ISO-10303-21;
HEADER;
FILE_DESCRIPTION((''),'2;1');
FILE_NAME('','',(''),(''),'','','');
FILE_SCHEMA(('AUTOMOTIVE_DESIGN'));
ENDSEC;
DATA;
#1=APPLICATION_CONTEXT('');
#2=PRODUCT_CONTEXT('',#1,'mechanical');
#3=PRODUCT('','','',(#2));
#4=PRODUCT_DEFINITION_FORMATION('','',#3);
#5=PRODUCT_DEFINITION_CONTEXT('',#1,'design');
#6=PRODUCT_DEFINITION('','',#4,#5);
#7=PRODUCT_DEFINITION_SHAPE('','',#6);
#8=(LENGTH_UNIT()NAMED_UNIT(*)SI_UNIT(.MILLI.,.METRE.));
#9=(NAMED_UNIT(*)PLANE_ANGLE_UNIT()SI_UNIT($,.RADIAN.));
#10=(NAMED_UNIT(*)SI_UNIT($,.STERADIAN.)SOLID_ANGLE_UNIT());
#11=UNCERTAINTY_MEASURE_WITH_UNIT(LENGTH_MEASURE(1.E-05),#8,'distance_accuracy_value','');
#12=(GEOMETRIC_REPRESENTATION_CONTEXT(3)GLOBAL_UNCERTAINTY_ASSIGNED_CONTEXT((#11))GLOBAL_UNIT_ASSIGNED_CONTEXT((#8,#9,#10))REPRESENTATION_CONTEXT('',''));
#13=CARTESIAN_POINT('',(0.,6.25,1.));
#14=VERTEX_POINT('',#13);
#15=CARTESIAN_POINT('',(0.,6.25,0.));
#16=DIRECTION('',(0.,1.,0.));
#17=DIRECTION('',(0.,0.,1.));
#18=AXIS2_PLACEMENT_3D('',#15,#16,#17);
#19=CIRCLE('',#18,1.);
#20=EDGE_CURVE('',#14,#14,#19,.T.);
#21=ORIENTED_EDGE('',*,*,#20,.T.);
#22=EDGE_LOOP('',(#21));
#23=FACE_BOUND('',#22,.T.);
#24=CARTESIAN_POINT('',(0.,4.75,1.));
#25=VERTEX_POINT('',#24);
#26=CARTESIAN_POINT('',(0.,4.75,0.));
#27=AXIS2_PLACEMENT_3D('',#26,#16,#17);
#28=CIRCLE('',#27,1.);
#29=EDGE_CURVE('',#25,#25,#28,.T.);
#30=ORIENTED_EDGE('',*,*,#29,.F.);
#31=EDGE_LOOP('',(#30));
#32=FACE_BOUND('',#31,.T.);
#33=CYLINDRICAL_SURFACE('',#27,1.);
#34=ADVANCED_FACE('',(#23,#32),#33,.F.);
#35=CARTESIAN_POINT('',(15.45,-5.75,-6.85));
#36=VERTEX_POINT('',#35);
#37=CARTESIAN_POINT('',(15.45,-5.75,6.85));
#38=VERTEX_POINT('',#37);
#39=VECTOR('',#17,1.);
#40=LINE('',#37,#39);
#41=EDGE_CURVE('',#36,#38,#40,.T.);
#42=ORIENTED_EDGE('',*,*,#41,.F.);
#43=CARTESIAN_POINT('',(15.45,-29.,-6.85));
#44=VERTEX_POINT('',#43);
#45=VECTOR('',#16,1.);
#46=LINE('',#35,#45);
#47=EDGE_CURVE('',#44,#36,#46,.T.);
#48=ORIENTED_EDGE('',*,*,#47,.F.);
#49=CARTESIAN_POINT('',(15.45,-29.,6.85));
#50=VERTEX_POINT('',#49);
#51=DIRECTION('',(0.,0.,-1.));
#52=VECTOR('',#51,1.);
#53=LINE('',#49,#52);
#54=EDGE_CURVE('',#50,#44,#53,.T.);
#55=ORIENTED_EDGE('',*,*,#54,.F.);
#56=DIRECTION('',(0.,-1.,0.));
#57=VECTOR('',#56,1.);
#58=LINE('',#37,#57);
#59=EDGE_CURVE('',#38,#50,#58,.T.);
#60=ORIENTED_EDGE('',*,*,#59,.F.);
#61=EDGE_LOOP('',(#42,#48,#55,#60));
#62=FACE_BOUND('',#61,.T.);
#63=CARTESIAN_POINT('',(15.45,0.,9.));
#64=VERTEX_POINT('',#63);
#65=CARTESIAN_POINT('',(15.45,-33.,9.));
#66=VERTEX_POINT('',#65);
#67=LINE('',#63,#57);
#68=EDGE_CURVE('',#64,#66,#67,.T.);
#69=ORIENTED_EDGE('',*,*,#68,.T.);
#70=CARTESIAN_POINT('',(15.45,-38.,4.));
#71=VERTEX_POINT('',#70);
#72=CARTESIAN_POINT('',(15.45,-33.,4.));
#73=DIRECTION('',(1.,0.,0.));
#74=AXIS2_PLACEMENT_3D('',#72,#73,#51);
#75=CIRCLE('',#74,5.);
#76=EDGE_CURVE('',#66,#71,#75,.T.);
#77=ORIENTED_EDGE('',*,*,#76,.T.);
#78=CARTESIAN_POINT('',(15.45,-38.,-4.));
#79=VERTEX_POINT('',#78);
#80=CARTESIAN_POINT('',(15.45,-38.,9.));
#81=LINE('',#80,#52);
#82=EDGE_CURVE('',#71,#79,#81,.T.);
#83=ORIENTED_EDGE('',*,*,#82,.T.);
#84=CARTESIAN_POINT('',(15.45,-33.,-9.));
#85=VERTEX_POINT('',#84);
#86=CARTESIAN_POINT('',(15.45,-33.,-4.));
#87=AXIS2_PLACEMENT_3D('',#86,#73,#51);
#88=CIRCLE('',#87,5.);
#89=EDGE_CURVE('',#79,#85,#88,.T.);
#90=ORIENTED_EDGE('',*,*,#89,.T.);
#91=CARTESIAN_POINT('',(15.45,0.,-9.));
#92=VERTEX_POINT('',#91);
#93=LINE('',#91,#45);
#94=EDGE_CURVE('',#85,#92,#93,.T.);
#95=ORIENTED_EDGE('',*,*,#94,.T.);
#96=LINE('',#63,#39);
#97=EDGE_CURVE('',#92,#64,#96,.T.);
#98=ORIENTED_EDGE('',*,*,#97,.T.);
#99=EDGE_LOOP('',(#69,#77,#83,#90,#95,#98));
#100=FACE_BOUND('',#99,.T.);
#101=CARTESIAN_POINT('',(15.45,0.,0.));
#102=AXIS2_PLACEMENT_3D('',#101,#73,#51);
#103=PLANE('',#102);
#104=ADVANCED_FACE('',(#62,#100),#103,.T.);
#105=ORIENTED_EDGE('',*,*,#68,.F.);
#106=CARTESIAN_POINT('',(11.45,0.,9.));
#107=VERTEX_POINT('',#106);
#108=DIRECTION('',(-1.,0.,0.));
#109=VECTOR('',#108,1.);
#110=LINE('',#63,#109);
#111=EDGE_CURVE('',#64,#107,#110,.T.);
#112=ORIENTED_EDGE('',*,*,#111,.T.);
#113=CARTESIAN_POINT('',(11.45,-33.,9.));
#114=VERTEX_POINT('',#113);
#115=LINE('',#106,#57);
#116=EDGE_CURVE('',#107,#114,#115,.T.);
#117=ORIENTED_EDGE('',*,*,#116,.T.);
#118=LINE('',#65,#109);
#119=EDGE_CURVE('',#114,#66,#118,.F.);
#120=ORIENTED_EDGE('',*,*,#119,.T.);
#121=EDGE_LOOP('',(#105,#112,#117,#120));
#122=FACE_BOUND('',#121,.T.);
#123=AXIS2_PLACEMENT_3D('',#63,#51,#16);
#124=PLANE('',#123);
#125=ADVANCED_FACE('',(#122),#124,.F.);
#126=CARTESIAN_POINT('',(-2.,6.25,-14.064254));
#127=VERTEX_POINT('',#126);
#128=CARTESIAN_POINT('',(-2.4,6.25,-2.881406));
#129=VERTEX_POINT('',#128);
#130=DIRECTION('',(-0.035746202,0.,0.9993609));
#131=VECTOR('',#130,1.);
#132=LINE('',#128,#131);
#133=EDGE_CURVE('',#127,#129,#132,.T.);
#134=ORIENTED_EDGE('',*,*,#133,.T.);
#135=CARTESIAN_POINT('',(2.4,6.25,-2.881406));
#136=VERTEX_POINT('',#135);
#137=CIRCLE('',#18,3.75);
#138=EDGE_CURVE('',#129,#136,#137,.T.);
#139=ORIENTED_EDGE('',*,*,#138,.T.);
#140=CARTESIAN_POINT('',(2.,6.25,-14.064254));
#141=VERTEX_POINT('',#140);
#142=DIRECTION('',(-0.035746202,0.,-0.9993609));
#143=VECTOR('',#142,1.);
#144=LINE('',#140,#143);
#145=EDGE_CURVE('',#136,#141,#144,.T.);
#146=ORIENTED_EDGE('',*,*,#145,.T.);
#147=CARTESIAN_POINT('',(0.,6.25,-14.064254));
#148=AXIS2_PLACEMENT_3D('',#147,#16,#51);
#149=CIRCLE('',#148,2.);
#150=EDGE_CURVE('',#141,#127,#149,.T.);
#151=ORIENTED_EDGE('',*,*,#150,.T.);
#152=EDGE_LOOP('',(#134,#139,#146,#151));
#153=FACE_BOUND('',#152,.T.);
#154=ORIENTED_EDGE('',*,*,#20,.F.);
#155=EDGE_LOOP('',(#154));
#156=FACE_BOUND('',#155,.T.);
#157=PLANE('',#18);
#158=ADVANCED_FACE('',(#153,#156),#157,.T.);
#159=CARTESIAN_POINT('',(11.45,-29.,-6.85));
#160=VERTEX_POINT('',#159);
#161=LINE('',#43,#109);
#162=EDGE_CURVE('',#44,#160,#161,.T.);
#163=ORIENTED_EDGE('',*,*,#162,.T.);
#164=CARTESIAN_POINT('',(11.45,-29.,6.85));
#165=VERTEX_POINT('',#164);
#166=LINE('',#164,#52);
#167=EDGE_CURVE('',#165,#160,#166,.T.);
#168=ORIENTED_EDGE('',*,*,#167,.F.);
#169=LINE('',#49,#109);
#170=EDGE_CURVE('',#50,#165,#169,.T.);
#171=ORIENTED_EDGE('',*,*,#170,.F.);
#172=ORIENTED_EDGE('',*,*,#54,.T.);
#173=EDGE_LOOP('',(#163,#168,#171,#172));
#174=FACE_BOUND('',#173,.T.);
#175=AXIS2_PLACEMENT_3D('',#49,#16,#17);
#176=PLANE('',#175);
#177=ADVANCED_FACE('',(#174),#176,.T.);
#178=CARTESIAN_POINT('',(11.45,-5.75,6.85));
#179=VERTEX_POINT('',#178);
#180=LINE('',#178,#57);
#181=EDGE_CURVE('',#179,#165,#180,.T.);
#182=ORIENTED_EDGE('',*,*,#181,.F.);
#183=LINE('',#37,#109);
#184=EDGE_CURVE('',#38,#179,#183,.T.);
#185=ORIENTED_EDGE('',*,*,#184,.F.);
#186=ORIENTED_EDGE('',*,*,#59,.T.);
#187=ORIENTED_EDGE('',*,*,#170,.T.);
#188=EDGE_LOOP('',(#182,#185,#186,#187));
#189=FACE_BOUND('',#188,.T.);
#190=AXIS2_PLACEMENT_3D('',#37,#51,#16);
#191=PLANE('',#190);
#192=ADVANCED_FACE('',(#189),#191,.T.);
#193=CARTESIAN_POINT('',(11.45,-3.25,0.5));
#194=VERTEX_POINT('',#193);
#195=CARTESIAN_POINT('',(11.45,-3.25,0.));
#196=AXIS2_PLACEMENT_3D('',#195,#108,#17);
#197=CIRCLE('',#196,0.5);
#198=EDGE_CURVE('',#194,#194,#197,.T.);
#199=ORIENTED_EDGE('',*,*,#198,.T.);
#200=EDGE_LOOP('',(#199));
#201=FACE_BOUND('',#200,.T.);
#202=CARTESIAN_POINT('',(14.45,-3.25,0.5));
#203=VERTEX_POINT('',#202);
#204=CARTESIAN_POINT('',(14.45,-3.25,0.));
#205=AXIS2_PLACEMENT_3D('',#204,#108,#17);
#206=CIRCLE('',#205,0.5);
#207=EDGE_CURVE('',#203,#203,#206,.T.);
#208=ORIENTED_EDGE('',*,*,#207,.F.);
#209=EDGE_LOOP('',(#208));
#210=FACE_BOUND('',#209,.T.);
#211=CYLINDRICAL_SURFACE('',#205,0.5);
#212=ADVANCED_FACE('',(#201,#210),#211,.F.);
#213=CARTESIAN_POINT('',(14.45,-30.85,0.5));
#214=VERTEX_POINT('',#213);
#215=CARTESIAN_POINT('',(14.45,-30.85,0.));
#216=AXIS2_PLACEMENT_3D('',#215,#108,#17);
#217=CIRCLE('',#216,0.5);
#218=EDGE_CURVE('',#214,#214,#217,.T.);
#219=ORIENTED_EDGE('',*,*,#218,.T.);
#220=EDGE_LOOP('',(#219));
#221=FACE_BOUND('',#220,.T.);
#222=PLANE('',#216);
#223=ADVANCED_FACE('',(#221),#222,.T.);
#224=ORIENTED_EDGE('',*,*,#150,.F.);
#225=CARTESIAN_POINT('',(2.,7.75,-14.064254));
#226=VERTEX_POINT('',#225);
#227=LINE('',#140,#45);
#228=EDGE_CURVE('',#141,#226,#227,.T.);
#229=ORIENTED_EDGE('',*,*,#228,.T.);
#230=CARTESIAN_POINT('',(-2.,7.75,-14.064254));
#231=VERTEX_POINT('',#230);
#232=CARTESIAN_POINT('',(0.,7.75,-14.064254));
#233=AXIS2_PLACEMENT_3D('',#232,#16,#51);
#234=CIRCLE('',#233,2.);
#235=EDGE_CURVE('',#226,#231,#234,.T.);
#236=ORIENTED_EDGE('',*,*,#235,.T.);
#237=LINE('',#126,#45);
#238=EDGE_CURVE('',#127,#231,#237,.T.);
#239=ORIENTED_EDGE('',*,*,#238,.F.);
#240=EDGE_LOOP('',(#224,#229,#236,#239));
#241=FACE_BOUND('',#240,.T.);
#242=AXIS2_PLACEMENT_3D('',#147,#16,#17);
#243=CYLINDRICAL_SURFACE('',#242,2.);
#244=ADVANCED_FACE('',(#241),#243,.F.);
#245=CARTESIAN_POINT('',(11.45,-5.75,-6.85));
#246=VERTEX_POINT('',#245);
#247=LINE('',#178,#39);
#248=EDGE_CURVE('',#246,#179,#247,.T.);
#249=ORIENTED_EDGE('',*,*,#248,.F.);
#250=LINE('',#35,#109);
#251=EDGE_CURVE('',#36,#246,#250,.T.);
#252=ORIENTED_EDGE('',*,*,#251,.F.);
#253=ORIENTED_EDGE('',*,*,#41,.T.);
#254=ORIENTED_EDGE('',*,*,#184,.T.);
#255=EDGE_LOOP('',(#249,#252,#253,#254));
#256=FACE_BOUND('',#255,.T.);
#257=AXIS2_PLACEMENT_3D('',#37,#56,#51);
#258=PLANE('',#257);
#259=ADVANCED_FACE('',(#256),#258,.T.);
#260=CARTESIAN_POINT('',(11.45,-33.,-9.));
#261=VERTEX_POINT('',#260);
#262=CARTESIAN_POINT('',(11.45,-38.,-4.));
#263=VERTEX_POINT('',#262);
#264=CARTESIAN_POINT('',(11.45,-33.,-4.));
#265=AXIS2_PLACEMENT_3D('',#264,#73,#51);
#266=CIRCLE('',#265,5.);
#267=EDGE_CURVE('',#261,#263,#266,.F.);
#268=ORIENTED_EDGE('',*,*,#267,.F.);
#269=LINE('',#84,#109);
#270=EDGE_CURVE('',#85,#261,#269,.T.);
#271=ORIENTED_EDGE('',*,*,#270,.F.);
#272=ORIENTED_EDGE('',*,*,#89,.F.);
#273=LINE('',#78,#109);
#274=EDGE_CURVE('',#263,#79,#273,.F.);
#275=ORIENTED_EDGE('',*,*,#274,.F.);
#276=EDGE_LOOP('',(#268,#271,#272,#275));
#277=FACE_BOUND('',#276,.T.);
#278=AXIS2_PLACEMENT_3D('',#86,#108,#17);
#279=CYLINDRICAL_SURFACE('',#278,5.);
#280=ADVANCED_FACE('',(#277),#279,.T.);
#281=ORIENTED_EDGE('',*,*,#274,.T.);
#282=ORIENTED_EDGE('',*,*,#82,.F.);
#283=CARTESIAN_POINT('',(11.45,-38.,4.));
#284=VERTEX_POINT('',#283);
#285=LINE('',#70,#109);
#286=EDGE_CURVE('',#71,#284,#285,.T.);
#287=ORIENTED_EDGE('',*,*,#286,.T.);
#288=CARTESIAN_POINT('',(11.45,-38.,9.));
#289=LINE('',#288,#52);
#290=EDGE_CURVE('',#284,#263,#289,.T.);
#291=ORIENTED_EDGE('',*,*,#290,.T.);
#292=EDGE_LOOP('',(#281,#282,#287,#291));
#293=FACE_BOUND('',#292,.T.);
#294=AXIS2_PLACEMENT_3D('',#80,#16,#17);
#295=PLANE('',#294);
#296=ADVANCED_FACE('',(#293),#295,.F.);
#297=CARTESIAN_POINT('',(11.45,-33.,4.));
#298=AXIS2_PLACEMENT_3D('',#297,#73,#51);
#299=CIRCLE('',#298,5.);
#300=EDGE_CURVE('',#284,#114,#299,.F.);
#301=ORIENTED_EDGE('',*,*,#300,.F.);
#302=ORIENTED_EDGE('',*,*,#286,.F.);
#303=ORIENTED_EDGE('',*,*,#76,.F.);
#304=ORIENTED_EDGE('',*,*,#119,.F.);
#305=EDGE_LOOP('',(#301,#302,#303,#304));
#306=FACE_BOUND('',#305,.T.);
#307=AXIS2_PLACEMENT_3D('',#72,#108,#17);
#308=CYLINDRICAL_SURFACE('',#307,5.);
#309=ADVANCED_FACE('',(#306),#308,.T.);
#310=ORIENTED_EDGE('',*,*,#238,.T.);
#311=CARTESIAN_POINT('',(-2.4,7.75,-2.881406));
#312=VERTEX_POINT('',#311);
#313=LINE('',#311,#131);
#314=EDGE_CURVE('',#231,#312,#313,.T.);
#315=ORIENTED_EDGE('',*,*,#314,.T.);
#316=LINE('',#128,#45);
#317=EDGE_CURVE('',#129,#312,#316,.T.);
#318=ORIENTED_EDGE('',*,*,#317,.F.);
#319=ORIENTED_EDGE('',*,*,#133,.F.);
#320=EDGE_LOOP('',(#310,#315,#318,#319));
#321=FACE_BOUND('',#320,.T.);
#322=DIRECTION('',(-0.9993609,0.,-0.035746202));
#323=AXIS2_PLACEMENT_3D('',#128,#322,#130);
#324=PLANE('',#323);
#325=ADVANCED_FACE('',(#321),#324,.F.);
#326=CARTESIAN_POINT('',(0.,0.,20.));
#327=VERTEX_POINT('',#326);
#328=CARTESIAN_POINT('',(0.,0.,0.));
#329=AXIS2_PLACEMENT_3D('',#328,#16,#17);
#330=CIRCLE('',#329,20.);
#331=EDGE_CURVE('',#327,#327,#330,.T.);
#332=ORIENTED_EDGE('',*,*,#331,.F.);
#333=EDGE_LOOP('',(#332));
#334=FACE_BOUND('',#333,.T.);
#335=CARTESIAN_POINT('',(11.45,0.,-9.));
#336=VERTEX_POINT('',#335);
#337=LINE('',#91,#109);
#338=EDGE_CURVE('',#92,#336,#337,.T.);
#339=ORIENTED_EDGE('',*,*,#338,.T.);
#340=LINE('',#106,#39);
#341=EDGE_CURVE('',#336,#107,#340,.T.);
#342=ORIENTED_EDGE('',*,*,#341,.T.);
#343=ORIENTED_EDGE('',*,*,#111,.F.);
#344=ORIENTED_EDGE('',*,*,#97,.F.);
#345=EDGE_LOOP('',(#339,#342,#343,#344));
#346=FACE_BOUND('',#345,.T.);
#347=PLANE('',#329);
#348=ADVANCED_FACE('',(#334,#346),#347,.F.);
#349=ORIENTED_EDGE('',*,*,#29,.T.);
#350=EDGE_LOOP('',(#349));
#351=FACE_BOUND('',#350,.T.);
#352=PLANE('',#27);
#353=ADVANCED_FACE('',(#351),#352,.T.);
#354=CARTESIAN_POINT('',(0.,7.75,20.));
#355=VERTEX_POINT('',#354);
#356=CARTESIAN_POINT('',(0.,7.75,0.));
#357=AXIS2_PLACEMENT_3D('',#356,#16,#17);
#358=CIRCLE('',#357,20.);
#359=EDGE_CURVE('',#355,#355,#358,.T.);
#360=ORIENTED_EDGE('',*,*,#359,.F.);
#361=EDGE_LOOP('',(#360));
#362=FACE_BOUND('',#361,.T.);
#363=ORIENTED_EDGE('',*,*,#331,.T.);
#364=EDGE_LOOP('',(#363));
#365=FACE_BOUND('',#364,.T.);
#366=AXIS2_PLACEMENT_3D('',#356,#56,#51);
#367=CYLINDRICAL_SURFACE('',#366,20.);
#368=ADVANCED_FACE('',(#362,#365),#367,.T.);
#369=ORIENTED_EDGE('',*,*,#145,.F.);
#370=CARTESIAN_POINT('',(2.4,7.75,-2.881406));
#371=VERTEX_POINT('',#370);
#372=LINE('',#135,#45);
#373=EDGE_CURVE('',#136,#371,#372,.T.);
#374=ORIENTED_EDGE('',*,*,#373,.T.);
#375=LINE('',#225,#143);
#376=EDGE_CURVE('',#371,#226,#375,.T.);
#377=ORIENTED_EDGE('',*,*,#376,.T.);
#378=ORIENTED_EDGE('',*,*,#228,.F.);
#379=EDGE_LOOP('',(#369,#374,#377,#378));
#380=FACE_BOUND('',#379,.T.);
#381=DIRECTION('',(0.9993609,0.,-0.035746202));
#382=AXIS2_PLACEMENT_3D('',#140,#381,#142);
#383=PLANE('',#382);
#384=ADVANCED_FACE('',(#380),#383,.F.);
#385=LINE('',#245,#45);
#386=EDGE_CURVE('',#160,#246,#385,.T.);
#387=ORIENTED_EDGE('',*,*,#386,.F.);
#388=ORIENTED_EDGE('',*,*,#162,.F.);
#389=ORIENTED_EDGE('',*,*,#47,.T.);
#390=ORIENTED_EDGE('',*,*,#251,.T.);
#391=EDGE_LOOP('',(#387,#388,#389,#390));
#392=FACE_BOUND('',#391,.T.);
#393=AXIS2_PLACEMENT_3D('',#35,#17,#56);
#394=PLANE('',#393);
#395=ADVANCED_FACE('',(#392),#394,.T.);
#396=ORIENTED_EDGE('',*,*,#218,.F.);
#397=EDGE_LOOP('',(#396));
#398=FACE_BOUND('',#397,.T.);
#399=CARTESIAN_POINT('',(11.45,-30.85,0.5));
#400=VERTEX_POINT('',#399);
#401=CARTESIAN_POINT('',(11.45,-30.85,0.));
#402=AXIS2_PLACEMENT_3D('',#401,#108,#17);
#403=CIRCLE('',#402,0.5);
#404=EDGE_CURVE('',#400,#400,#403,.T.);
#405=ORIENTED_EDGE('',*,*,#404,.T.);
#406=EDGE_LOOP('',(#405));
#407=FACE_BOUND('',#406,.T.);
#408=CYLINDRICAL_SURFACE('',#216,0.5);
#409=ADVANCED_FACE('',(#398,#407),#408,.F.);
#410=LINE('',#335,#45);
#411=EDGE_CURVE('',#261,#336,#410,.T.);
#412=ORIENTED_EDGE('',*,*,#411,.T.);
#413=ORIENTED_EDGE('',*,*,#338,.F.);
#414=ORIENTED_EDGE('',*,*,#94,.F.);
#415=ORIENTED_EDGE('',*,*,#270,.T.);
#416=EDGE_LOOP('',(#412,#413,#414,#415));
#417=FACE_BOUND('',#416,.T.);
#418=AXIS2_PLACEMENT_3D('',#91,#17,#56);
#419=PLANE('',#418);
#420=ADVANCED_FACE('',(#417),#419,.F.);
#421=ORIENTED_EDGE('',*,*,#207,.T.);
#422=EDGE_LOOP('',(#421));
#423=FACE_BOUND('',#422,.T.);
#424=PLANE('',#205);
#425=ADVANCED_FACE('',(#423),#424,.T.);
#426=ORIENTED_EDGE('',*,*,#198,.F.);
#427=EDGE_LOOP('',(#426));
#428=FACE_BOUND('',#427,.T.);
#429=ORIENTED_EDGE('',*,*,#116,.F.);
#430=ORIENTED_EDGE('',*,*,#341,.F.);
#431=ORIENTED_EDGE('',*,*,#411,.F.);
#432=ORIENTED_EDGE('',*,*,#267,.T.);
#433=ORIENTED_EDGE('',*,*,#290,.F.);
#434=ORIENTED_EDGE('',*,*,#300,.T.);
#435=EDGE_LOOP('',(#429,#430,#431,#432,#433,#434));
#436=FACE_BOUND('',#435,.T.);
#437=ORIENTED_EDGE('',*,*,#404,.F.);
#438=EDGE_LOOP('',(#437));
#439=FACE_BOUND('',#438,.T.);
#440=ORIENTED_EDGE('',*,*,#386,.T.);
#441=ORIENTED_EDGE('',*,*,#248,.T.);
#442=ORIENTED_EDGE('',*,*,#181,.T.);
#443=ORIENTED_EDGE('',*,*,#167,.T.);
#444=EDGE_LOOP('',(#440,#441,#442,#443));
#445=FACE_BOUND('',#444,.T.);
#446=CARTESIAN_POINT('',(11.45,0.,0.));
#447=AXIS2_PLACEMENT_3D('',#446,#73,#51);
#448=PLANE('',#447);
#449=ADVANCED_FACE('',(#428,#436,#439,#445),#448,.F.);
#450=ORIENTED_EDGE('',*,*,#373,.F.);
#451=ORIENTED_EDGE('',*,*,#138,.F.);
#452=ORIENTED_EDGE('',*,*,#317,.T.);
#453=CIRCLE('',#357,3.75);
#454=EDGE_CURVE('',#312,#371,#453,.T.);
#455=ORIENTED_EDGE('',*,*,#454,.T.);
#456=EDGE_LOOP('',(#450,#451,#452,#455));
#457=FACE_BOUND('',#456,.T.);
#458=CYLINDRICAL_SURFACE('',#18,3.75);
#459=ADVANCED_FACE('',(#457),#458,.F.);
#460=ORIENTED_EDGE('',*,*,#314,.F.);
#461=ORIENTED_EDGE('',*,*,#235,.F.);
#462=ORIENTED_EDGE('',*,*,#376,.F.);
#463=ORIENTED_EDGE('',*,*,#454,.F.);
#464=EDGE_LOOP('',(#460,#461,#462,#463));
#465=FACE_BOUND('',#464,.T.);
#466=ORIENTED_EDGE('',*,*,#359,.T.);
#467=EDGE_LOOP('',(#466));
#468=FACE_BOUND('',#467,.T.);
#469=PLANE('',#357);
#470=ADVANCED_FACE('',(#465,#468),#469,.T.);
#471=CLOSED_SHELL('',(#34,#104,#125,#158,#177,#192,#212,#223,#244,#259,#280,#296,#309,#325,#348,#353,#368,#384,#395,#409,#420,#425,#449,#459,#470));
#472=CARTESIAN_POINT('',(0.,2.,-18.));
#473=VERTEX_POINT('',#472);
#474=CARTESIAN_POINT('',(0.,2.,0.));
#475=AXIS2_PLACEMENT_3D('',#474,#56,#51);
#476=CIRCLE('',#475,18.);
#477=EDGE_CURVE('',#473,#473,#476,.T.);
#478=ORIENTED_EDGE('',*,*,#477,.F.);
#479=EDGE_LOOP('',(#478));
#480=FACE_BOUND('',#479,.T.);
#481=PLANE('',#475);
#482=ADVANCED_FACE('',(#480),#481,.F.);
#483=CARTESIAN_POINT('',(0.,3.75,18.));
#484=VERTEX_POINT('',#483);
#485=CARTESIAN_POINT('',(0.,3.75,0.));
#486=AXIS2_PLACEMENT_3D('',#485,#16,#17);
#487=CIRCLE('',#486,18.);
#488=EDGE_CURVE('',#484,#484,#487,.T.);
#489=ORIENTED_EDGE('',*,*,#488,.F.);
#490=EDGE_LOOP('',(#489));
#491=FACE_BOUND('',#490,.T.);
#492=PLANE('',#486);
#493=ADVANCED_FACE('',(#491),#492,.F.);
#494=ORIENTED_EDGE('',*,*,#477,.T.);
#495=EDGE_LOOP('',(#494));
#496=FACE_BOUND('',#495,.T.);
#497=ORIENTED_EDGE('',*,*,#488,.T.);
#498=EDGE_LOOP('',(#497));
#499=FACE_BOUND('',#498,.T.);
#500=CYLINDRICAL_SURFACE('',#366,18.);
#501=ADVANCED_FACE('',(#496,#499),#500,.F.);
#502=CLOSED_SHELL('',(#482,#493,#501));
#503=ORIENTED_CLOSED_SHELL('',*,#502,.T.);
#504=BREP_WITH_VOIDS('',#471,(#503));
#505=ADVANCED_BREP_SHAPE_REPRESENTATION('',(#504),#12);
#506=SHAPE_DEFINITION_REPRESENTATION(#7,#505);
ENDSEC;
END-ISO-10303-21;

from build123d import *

# Parameters (mm, degrees)
SKETCH1_R           = 20
SKETCH1_R_2         = 18
BOSS_EXTRUDE1_DEPTH = 7.75
BOSS_EXTRUDE2_START = -4
SKETCH2_R           = 18
BOSS_EXTRUDE2_DEPTH = 4
CUT_EXTRUDE1_DEPTH  = 1.5
SKETCH4_R           = 1
CUT_EXTRUDE2_DEPTH  = 1.5
SKETCH5_W           = 18
SKETCH5_H           = 38
SKETCH5_W_2         = 13.7
SKETCH5_H_2         = 23.25
BOSS_EXTRUDE3_DEPTH = 4
SKETCH6_R           = 18
BOSS_EXTRUDE4_DEPTH = 2
SKETCH7_R           = 0.5
CUT_EXTRUDE3_DEPTH  = 3
FILLET1_R           = 5


with BuildPart() as part:
    # Sketch1 → Boss-Extrude1 (new body)
    with BuildSketch(Plane(origin=(0, 0, 0), x_dir=(1, 0, 0), z_dir=(0, 1, 0))):
        with Locations(Location((0, 0, 0), (0, 0, 270))):
            Circle(SKETCH1_R)
        with Locations(Location((0, 0, 0), (0, 0, 270))):
            Circle(SKETCH1_R_2, mode=Mode.SUBTRACT)
    extrude(amount=BOSS_EXTRUDE1_DEPTH)

    # Sketch2 → Boss-Extrude2 (add)
    with BuildSketch(Plane(origin=(0, 7.75, 0), x_dir=(1, 0, 0), z_dir=(0, 1, 0)).offset(BOSS_EXTRUDE2_START)):
        with Locations(Location((0, 0, 0), (0, 0, 270))):
            Circle(SKETCH2_R)
    extrude(amount=BOSS_EXTRUDE2_DEPTH)

    # Sketch3 → Cut-Extrude1 (cut)
    with BuildSketch(Plane(origin=(0, 7.75, 0), x_dir=(1, 0, 0), z_dir=(0, 1, 0))):
        with BuildLine():
            Line((-2.4, 2.881405907), (-2, 14.064254381))
            ThreePointArc((-2, 14.064254381), (0, 16.064254381), (2, 14.064254381))
            Line((2, 14.064254381), (2.4, 2.881405907))
            ThreePointArc((2.4, 2.881405907), (0, -3.75), (-2.4, 2.881405907))
        make_face()
    extrude(amount=-CUT_EXTRUDE1_DEPTH, mode=Mode.SUBTRACT)

    # Sketch4 → Cut-Extrude2 (cut)
    with BuildSketch(Plane(origin=(0, 6.25, 0), x_dir=(1, 0, 0), z_dir=(0, 1, 0))):
        with Locations(Location((0, 0, 0), (0, 0, 270))):
            Circle(SKETCH4_R)
    extrude(amount=-CUT_EXTRUDE2_DEPTH, mode=Mode.SUBTRACT)



with BuildPart() as body_2:
    # Sketch5 → Boss-Extrude3 (new body)
    with BuildSketch(Plane(origin=(11.45, 0, 0), x_dir=(0, 0, -1), z_dir=(1, 0, 0))):
        with Locations((0, -19)):
            Rectangle(SKETCH5_W, SKETCH5_H)
        with Locations((0, -17.375)):
            Rectangle(SKETCH5_W_2, SKETCH5_H_2, mode=Mode.SUBTRACT)
    extrude(amount=BOSS_EXTRUDE3_DEPTH)


with BuildPart() as part_1:
    add(part.part)

    add(body_2.part)  # Boss-Extrude4 merges body 2
    # Sketch6 → Boss-Extrude4 (add)
    with BuildSketch(Plane.XZ):
        with Locations(Location((0, 0, 0), (0, 0, 270))):
            Circle(SKETCH6_R)
    extrude(amount=-BOSS_EXTRUDE4_DEPTH)

    # Sketch7 → Cut-Extrude3 (cut)
    with BuildSketch(Plane.ZY.offset(-11.45)):
        with Locations((0, -30.85)):
            Circle(SKETCH7_R)
        with Locations((0, -3.25)):
            Circle(SKETCH7_R)
    extrude(amount=-CUT_EXTRUDE3_DEPTH, mode=Mode.SUBTRACT)

    # Fillet1
    fillet1_edges = [part_1.edges().sort_by_distance(p)[0] for p in [
        (13.45, -38, 9),
        (13.45, -38, -9),
    ]]
    fillet(fillet1_edges, radius=FILLET1_R)


solid = part_1.part
